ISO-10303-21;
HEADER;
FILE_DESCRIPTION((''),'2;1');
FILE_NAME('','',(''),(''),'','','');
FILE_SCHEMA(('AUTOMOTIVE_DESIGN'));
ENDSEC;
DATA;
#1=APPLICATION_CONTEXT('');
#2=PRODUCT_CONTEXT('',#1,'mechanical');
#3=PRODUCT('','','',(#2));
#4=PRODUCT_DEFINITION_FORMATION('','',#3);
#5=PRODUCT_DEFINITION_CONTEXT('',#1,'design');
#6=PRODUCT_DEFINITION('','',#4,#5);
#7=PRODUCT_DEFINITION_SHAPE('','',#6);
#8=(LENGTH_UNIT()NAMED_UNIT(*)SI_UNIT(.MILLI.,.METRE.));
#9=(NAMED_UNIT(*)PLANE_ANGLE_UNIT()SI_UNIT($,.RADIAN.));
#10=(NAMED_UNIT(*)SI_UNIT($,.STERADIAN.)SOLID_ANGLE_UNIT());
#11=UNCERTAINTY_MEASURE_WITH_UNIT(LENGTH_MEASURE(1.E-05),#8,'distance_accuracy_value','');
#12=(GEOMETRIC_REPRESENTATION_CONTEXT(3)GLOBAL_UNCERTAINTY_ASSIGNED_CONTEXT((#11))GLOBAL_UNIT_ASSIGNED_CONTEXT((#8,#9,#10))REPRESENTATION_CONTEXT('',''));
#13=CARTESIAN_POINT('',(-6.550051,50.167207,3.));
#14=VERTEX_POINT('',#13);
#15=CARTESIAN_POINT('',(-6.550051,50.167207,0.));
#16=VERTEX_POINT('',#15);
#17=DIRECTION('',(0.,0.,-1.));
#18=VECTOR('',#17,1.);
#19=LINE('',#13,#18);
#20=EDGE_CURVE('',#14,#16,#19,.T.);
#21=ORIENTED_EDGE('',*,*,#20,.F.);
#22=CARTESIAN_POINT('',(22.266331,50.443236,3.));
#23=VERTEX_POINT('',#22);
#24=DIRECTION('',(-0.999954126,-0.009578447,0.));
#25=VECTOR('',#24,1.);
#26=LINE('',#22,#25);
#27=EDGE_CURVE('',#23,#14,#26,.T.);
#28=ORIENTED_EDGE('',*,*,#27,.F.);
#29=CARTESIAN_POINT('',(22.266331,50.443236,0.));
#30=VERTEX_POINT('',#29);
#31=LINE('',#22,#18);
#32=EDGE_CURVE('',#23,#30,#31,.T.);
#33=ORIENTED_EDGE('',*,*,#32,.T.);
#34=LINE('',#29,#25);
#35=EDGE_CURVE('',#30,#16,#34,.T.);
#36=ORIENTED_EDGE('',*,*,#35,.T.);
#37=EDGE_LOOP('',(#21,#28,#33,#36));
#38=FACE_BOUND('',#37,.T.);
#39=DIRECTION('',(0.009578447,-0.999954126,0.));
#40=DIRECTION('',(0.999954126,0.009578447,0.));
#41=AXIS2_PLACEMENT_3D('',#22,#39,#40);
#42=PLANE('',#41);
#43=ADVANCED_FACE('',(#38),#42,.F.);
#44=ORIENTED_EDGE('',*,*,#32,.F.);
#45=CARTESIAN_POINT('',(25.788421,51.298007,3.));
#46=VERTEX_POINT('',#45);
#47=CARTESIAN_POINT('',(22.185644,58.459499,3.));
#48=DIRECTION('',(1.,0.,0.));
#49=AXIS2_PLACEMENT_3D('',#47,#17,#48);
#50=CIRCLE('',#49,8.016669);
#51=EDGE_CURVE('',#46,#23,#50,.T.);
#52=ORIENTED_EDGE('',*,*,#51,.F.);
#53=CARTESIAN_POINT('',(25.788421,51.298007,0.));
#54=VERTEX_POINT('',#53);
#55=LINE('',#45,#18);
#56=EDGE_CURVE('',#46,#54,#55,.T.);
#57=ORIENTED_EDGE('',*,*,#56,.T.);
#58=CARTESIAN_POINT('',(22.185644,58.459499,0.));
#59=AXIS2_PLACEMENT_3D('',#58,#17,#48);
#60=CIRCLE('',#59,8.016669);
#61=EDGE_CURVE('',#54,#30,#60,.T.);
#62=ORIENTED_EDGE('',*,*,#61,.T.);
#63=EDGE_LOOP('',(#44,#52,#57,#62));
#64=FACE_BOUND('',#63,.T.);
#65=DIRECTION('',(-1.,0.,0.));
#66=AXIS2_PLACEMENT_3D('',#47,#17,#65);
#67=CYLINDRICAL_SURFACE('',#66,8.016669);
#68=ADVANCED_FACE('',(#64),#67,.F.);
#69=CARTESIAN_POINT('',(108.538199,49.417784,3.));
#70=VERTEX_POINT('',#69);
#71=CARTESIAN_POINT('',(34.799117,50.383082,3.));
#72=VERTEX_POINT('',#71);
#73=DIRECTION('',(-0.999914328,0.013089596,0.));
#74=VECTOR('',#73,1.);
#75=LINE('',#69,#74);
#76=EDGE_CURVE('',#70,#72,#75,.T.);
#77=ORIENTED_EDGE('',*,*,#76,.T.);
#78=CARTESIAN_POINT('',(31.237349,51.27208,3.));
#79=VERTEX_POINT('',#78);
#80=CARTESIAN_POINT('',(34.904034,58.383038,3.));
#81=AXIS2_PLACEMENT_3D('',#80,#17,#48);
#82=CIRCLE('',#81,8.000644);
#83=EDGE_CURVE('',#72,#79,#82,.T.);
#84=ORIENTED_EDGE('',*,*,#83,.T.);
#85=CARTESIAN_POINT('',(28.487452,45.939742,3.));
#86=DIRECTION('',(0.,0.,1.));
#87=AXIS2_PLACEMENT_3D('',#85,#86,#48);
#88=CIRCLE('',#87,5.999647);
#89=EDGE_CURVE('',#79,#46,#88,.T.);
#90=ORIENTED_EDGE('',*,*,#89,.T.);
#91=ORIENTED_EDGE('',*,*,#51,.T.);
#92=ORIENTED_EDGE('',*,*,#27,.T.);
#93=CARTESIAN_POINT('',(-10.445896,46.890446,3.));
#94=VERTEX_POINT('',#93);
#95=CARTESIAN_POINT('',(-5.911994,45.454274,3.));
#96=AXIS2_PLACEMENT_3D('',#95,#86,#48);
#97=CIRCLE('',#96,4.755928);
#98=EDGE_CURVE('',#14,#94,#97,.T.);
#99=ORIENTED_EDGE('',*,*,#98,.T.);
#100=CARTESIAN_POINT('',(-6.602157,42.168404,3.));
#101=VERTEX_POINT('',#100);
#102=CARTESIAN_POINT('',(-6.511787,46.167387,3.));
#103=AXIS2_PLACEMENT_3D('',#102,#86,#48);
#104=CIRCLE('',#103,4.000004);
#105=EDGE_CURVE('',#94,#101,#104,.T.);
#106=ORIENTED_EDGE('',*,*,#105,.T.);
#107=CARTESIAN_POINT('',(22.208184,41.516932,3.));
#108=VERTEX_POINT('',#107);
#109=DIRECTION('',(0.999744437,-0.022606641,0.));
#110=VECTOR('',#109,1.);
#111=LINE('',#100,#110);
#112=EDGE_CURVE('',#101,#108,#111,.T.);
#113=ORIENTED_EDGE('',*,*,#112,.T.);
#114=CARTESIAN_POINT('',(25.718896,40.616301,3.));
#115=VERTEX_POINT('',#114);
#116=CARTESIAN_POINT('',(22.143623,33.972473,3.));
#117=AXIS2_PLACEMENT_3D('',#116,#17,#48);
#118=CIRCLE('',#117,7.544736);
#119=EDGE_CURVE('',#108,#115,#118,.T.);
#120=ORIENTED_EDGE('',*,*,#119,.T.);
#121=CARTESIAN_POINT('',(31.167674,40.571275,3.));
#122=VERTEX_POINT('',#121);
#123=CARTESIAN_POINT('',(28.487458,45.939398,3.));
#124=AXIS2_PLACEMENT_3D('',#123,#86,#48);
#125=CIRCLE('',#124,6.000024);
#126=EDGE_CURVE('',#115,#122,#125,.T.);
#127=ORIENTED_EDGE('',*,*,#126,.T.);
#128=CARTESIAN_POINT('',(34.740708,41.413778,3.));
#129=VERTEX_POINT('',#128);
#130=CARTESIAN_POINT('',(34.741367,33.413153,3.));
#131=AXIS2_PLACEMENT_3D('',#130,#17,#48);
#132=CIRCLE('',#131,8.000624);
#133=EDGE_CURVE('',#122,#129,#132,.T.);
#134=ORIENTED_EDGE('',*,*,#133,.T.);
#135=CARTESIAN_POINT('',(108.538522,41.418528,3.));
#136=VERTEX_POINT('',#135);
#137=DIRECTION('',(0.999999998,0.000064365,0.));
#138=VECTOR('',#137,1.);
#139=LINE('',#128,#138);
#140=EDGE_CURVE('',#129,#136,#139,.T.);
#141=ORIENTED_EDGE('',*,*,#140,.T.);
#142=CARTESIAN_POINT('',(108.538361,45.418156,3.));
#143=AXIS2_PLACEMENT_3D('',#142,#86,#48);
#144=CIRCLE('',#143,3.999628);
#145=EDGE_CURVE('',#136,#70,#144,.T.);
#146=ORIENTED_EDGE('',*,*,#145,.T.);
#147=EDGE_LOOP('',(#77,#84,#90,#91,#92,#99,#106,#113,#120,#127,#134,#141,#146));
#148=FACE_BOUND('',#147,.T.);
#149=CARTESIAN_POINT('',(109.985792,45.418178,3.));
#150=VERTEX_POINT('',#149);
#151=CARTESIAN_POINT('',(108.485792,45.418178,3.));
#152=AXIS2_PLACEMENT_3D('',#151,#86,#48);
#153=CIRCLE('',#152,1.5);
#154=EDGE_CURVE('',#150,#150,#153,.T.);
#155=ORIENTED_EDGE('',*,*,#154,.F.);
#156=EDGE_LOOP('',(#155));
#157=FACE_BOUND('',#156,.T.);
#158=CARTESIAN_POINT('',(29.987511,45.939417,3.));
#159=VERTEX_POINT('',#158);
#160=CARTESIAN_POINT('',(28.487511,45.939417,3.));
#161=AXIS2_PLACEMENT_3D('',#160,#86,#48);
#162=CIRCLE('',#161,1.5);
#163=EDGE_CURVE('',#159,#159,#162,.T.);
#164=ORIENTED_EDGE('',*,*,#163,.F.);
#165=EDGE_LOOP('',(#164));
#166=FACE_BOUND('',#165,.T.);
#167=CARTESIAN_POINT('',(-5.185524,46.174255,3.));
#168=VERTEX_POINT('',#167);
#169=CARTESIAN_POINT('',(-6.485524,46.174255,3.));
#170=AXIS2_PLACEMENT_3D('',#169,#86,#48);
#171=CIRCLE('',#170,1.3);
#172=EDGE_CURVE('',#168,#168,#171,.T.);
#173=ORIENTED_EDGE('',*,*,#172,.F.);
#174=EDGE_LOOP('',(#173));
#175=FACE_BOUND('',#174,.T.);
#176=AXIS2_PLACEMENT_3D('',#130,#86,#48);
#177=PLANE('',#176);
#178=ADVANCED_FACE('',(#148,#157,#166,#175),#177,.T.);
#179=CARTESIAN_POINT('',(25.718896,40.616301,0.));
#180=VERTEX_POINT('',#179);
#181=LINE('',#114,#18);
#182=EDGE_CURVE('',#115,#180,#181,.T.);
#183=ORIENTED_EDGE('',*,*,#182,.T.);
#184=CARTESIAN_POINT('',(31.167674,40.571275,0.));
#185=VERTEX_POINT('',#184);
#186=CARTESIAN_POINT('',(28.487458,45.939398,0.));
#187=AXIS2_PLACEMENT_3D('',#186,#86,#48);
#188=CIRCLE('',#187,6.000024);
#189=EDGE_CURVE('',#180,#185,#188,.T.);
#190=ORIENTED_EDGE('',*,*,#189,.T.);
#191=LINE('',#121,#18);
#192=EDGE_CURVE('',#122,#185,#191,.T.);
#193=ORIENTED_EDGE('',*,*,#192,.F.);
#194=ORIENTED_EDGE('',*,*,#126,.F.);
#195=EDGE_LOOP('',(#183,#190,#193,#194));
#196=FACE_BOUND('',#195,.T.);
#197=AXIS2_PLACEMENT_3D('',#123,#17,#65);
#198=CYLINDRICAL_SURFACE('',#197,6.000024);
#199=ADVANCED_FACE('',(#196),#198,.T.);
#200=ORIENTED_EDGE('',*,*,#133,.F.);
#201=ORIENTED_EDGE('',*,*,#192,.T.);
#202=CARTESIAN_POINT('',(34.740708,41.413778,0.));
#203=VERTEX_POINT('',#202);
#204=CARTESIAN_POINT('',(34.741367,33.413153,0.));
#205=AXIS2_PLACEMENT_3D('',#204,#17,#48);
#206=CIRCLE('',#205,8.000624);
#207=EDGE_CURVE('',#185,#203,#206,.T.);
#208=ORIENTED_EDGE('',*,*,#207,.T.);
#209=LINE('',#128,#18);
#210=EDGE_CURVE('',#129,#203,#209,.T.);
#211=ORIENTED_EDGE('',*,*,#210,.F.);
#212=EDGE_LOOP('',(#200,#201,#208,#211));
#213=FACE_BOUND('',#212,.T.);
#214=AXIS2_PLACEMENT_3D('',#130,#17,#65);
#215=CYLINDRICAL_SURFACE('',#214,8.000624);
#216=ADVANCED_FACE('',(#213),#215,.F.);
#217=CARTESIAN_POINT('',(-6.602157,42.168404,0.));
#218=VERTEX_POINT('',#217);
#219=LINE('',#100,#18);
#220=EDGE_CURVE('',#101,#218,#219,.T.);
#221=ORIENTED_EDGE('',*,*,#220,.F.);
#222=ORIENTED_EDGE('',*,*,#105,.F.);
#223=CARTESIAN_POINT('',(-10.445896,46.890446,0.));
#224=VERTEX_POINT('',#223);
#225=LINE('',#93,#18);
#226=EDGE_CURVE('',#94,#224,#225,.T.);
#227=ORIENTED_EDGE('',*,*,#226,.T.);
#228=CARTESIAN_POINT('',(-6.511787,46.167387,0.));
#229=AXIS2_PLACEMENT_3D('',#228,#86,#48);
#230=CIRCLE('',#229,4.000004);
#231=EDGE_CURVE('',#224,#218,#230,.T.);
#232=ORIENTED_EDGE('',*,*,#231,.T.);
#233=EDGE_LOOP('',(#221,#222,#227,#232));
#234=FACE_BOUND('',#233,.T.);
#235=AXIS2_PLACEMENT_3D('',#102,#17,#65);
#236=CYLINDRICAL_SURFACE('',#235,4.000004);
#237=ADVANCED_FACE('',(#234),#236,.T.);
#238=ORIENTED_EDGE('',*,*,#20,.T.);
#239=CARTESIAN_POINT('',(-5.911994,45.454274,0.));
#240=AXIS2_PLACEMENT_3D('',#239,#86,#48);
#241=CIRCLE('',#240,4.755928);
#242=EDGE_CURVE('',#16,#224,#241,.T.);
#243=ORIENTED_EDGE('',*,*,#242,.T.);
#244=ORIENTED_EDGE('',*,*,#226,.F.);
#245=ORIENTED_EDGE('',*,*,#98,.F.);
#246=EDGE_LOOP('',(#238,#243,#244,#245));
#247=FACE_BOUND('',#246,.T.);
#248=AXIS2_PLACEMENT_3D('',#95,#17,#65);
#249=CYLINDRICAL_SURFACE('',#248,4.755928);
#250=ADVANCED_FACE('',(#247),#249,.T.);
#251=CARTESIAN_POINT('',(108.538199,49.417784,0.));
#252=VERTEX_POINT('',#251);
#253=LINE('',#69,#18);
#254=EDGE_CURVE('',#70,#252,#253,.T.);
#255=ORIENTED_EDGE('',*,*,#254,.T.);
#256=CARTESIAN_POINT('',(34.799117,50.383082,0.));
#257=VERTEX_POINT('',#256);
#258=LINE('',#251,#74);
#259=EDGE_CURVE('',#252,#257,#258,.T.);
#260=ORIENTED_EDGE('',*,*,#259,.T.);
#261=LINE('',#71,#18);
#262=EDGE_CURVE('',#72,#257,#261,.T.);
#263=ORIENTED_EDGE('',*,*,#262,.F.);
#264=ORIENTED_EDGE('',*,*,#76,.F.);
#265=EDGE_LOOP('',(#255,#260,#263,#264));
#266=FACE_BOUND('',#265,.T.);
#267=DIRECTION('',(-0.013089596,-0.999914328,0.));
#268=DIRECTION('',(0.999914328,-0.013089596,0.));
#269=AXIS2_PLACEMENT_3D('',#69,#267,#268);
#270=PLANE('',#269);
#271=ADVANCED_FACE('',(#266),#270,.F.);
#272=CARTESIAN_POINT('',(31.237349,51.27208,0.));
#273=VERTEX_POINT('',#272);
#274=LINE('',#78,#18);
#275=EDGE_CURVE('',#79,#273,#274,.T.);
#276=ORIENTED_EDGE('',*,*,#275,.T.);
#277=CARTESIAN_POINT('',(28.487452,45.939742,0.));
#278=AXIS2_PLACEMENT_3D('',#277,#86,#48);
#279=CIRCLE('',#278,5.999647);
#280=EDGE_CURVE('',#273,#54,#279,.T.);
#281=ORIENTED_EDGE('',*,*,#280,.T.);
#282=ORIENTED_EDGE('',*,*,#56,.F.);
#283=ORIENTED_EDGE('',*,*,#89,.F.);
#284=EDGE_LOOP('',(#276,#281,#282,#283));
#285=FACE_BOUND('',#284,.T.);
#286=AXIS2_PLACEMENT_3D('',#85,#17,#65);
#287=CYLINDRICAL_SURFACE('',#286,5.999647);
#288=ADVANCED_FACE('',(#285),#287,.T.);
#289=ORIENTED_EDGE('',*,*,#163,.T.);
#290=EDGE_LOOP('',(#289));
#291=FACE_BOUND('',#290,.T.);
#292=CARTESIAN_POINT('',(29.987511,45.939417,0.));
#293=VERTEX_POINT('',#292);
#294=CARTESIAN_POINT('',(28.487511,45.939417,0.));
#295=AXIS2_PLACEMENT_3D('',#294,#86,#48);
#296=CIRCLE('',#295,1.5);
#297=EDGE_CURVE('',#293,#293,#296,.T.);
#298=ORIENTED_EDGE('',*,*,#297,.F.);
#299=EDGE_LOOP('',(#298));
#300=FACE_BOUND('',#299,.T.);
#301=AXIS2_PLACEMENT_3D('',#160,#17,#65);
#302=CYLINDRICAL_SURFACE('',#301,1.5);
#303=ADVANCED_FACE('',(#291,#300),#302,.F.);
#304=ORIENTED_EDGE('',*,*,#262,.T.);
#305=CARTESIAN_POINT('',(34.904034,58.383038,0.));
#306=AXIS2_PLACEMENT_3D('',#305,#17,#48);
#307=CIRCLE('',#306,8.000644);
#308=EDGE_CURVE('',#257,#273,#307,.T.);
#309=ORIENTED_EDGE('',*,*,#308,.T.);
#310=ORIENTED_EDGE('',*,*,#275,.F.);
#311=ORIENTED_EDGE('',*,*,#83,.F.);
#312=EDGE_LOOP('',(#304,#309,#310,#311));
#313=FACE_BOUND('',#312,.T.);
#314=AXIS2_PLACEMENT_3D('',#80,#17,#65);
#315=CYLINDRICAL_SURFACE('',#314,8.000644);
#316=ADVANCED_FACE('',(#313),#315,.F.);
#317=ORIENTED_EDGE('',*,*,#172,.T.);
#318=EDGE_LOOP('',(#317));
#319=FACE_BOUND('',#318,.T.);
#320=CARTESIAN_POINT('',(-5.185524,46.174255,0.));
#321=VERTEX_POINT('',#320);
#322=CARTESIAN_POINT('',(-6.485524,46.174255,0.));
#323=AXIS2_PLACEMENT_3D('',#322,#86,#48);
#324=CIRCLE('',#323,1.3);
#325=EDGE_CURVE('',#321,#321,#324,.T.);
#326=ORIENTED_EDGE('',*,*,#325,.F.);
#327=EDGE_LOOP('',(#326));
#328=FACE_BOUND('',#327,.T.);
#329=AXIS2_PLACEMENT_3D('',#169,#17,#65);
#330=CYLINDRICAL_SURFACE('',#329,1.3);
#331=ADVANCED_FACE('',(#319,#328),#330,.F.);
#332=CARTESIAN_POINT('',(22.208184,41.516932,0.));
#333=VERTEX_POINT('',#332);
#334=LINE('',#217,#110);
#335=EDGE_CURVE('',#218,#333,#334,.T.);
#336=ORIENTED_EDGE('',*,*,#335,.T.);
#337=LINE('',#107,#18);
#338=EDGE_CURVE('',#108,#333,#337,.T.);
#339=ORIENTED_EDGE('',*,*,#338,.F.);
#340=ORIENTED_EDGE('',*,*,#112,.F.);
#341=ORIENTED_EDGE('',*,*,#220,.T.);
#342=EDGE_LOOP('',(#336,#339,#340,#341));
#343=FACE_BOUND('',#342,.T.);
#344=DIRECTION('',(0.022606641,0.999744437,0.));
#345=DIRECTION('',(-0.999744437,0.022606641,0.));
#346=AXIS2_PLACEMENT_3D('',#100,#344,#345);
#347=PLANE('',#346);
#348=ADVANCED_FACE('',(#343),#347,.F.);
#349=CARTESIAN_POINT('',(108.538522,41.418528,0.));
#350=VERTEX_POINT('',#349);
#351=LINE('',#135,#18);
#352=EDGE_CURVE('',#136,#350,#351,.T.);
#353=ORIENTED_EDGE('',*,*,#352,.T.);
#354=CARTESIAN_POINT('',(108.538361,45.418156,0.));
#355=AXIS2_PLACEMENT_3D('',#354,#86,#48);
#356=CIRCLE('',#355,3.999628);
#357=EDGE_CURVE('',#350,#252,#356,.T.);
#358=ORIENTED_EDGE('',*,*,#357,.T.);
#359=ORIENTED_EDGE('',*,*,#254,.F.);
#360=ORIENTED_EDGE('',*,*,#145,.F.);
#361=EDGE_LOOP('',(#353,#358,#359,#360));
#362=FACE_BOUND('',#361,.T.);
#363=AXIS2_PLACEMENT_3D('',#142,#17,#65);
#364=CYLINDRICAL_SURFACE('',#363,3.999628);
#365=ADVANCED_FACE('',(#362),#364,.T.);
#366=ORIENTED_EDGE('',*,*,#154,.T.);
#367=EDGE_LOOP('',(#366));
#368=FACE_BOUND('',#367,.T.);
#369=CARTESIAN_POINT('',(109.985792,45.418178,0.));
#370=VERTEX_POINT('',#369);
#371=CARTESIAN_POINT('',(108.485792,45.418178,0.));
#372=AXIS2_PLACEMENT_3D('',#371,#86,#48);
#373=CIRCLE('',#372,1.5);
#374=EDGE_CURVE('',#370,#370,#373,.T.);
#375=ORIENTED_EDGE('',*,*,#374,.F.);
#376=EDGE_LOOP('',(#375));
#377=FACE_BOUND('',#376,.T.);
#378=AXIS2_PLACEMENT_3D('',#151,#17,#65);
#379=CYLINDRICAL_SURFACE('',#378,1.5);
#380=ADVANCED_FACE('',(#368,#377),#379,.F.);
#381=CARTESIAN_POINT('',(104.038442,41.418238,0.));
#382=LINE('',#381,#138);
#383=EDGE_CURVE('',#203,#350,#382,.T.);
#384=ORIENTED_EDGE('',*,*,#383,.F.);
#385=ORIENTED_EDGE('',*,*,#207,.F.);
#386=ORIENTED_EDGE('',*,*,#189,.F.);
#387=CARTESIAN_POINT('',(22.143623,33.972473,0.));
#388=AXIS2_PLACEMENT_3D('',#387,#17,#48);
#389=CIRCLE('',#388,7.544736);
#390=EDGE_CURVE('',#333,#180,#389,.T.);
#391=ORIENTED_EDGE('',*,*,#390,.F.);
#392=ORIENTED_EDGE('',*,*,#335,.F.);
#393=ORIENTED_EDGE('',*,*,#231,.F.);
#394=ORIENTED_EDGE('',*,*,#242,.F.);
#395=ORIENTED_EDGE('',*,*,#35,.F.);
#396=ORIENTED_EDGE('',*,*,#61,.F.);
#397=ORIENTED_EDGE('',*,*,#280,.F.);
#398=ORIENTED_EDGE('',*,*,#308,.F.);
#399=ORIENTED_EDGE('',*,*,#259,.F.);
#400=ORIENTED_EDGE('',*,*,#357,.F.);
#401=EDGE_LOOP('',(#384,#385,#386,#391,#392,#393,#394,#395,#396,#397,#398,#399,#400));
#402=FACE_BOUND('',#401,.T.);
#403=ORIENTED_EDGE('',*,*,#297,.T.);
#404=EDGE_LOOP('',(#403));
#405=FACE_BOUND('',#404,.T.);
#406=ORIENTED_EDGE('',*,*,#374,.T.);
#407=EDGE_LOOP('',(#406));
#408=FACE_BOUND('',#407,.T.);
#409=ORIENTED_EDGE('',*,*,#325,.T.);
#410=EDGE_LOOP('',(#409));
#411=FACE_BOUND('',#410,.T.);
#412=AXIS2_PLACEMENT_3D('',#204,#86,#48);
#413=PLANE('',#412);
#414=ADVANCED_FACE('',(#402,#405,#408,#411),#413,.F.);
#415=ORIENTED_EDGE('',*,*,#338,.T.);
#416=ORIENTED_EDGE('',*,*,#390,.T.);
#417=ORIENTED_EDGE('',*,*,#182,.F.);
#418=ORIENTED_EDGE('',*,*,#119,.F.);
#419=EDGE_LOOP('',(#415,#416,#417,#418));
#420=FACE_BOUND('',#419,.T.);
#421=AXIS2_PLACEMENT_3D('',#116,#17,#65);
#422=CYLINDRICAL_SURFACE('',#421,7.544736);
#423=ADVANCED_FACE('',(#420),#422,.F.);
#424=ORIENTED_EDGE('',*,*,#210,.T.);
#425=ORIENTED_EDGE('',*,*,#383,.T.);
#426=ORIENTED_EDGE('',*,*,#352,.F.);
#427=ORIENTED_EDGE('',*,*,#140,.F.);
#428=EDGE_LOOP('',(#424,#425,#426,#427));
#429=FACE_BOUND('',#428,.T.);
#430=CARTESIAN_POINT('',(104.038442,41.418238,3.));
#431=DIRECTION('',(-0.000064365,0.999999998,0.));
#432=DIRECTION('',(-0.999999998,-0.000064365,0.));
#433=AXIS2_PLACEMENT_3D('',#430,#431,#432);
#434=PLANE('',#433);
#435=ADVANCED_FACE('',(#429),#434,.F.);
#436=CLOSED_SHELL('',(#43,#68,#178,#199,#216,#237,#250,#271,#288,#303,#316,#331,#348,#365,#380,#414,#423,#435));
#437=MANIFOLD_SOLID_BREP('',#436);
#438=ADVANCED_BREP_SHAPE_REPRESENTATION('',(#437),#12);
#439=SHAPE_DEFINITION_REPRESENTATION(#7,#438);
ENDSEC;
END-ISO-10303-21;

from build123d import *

# Parameters (mm, degrees)
MODEL_R             = 1.5
MODEL_R_2           = 1.3
BOSS_EXTRUDE1_DEPTH = 3


with BuildPart() as part:
    # Model → Boss-Extrude1 (new body)
    with BuildSketch(Plane.XY):
        with BuildLine():
            Line((67.038441792, 41.415856749), (104.038441639, 41.418238239))
            Line((104.038441639, 41.418238239), (108.538521807, 41.418527884))
            ThreePointArc((108.538521807, 41.418527884), (112.537988752, 45.418317376), (108.53819926, 49.417784321))
            Line((108.53819926, 49.417784321), (34.799117207, 50.383081783))
            ThreePointArc((34.799117207, 50.383081783), (32.966554958, 50.620533228), (31.23734869, 51.272080055))
            ThreePointArc((31.23734869, 51.272080055), (28.515998073, 51.939320982), (25.788421234, 51.298006533))
            ThreePointArc((25.788421234, 51.298006533), (24.076314539, 50.668969798), (22.266330888, 50.443236041))
            Line((22.266330888, 50.443236041), (-6.550050988, 50.167207177))
            ThreePointArc((-6.550050988, 50.167207177), (-8.973297656, 49.093954733), (-10.445895761, 46.890446157))
            ThreePointArc((-10.445895761, 46.890446157), (-9.613967932, 43.642213171), (-6.602156551, 42.168403941))
            Line((-6.602156551, 42.168403941), (22.208184202, 41.516932419))
            ThreePointArc((22.208184202, 41.516932419), (24.01842496, 41.280561161), (25.718896078, 40.616301461))
            ThreePointArc((25.718896078, 40.616301461), (28.43787871, 39.93957832), (31.167673514, 40.571275311))
            ThreePointArc((31.167673514, 40.571275311), (32.905215524, 41.200228691), (34.740707643, 41.413777918))
            Line((34.740707643, 41.413777918), (46.038441879, 41.414505092))
            Line((46.038441879, 41.414505092), (56.538441836, 41.415180921))
            Line((56.538441836, 41.415180921), (67.038441792, 41.415856749))
        make_face()
        with Locations((28.487510706, 45.939417458)):
            Circle(MODEL_R, mode=Mode.SUBTRACT)
        with Locations((108.485791619, 45.418177884)):
            Circle(MODEL_R, mode=Mode.SUBTRACT)
        with Locations((-6.485524229, 46.174255041)):
            Circle(MODEL_R_2, mode=Mode.SUBTRACT)
    extrude(amount=BOSS_EXTRUDE1_DEPTH)


solid = part.part
